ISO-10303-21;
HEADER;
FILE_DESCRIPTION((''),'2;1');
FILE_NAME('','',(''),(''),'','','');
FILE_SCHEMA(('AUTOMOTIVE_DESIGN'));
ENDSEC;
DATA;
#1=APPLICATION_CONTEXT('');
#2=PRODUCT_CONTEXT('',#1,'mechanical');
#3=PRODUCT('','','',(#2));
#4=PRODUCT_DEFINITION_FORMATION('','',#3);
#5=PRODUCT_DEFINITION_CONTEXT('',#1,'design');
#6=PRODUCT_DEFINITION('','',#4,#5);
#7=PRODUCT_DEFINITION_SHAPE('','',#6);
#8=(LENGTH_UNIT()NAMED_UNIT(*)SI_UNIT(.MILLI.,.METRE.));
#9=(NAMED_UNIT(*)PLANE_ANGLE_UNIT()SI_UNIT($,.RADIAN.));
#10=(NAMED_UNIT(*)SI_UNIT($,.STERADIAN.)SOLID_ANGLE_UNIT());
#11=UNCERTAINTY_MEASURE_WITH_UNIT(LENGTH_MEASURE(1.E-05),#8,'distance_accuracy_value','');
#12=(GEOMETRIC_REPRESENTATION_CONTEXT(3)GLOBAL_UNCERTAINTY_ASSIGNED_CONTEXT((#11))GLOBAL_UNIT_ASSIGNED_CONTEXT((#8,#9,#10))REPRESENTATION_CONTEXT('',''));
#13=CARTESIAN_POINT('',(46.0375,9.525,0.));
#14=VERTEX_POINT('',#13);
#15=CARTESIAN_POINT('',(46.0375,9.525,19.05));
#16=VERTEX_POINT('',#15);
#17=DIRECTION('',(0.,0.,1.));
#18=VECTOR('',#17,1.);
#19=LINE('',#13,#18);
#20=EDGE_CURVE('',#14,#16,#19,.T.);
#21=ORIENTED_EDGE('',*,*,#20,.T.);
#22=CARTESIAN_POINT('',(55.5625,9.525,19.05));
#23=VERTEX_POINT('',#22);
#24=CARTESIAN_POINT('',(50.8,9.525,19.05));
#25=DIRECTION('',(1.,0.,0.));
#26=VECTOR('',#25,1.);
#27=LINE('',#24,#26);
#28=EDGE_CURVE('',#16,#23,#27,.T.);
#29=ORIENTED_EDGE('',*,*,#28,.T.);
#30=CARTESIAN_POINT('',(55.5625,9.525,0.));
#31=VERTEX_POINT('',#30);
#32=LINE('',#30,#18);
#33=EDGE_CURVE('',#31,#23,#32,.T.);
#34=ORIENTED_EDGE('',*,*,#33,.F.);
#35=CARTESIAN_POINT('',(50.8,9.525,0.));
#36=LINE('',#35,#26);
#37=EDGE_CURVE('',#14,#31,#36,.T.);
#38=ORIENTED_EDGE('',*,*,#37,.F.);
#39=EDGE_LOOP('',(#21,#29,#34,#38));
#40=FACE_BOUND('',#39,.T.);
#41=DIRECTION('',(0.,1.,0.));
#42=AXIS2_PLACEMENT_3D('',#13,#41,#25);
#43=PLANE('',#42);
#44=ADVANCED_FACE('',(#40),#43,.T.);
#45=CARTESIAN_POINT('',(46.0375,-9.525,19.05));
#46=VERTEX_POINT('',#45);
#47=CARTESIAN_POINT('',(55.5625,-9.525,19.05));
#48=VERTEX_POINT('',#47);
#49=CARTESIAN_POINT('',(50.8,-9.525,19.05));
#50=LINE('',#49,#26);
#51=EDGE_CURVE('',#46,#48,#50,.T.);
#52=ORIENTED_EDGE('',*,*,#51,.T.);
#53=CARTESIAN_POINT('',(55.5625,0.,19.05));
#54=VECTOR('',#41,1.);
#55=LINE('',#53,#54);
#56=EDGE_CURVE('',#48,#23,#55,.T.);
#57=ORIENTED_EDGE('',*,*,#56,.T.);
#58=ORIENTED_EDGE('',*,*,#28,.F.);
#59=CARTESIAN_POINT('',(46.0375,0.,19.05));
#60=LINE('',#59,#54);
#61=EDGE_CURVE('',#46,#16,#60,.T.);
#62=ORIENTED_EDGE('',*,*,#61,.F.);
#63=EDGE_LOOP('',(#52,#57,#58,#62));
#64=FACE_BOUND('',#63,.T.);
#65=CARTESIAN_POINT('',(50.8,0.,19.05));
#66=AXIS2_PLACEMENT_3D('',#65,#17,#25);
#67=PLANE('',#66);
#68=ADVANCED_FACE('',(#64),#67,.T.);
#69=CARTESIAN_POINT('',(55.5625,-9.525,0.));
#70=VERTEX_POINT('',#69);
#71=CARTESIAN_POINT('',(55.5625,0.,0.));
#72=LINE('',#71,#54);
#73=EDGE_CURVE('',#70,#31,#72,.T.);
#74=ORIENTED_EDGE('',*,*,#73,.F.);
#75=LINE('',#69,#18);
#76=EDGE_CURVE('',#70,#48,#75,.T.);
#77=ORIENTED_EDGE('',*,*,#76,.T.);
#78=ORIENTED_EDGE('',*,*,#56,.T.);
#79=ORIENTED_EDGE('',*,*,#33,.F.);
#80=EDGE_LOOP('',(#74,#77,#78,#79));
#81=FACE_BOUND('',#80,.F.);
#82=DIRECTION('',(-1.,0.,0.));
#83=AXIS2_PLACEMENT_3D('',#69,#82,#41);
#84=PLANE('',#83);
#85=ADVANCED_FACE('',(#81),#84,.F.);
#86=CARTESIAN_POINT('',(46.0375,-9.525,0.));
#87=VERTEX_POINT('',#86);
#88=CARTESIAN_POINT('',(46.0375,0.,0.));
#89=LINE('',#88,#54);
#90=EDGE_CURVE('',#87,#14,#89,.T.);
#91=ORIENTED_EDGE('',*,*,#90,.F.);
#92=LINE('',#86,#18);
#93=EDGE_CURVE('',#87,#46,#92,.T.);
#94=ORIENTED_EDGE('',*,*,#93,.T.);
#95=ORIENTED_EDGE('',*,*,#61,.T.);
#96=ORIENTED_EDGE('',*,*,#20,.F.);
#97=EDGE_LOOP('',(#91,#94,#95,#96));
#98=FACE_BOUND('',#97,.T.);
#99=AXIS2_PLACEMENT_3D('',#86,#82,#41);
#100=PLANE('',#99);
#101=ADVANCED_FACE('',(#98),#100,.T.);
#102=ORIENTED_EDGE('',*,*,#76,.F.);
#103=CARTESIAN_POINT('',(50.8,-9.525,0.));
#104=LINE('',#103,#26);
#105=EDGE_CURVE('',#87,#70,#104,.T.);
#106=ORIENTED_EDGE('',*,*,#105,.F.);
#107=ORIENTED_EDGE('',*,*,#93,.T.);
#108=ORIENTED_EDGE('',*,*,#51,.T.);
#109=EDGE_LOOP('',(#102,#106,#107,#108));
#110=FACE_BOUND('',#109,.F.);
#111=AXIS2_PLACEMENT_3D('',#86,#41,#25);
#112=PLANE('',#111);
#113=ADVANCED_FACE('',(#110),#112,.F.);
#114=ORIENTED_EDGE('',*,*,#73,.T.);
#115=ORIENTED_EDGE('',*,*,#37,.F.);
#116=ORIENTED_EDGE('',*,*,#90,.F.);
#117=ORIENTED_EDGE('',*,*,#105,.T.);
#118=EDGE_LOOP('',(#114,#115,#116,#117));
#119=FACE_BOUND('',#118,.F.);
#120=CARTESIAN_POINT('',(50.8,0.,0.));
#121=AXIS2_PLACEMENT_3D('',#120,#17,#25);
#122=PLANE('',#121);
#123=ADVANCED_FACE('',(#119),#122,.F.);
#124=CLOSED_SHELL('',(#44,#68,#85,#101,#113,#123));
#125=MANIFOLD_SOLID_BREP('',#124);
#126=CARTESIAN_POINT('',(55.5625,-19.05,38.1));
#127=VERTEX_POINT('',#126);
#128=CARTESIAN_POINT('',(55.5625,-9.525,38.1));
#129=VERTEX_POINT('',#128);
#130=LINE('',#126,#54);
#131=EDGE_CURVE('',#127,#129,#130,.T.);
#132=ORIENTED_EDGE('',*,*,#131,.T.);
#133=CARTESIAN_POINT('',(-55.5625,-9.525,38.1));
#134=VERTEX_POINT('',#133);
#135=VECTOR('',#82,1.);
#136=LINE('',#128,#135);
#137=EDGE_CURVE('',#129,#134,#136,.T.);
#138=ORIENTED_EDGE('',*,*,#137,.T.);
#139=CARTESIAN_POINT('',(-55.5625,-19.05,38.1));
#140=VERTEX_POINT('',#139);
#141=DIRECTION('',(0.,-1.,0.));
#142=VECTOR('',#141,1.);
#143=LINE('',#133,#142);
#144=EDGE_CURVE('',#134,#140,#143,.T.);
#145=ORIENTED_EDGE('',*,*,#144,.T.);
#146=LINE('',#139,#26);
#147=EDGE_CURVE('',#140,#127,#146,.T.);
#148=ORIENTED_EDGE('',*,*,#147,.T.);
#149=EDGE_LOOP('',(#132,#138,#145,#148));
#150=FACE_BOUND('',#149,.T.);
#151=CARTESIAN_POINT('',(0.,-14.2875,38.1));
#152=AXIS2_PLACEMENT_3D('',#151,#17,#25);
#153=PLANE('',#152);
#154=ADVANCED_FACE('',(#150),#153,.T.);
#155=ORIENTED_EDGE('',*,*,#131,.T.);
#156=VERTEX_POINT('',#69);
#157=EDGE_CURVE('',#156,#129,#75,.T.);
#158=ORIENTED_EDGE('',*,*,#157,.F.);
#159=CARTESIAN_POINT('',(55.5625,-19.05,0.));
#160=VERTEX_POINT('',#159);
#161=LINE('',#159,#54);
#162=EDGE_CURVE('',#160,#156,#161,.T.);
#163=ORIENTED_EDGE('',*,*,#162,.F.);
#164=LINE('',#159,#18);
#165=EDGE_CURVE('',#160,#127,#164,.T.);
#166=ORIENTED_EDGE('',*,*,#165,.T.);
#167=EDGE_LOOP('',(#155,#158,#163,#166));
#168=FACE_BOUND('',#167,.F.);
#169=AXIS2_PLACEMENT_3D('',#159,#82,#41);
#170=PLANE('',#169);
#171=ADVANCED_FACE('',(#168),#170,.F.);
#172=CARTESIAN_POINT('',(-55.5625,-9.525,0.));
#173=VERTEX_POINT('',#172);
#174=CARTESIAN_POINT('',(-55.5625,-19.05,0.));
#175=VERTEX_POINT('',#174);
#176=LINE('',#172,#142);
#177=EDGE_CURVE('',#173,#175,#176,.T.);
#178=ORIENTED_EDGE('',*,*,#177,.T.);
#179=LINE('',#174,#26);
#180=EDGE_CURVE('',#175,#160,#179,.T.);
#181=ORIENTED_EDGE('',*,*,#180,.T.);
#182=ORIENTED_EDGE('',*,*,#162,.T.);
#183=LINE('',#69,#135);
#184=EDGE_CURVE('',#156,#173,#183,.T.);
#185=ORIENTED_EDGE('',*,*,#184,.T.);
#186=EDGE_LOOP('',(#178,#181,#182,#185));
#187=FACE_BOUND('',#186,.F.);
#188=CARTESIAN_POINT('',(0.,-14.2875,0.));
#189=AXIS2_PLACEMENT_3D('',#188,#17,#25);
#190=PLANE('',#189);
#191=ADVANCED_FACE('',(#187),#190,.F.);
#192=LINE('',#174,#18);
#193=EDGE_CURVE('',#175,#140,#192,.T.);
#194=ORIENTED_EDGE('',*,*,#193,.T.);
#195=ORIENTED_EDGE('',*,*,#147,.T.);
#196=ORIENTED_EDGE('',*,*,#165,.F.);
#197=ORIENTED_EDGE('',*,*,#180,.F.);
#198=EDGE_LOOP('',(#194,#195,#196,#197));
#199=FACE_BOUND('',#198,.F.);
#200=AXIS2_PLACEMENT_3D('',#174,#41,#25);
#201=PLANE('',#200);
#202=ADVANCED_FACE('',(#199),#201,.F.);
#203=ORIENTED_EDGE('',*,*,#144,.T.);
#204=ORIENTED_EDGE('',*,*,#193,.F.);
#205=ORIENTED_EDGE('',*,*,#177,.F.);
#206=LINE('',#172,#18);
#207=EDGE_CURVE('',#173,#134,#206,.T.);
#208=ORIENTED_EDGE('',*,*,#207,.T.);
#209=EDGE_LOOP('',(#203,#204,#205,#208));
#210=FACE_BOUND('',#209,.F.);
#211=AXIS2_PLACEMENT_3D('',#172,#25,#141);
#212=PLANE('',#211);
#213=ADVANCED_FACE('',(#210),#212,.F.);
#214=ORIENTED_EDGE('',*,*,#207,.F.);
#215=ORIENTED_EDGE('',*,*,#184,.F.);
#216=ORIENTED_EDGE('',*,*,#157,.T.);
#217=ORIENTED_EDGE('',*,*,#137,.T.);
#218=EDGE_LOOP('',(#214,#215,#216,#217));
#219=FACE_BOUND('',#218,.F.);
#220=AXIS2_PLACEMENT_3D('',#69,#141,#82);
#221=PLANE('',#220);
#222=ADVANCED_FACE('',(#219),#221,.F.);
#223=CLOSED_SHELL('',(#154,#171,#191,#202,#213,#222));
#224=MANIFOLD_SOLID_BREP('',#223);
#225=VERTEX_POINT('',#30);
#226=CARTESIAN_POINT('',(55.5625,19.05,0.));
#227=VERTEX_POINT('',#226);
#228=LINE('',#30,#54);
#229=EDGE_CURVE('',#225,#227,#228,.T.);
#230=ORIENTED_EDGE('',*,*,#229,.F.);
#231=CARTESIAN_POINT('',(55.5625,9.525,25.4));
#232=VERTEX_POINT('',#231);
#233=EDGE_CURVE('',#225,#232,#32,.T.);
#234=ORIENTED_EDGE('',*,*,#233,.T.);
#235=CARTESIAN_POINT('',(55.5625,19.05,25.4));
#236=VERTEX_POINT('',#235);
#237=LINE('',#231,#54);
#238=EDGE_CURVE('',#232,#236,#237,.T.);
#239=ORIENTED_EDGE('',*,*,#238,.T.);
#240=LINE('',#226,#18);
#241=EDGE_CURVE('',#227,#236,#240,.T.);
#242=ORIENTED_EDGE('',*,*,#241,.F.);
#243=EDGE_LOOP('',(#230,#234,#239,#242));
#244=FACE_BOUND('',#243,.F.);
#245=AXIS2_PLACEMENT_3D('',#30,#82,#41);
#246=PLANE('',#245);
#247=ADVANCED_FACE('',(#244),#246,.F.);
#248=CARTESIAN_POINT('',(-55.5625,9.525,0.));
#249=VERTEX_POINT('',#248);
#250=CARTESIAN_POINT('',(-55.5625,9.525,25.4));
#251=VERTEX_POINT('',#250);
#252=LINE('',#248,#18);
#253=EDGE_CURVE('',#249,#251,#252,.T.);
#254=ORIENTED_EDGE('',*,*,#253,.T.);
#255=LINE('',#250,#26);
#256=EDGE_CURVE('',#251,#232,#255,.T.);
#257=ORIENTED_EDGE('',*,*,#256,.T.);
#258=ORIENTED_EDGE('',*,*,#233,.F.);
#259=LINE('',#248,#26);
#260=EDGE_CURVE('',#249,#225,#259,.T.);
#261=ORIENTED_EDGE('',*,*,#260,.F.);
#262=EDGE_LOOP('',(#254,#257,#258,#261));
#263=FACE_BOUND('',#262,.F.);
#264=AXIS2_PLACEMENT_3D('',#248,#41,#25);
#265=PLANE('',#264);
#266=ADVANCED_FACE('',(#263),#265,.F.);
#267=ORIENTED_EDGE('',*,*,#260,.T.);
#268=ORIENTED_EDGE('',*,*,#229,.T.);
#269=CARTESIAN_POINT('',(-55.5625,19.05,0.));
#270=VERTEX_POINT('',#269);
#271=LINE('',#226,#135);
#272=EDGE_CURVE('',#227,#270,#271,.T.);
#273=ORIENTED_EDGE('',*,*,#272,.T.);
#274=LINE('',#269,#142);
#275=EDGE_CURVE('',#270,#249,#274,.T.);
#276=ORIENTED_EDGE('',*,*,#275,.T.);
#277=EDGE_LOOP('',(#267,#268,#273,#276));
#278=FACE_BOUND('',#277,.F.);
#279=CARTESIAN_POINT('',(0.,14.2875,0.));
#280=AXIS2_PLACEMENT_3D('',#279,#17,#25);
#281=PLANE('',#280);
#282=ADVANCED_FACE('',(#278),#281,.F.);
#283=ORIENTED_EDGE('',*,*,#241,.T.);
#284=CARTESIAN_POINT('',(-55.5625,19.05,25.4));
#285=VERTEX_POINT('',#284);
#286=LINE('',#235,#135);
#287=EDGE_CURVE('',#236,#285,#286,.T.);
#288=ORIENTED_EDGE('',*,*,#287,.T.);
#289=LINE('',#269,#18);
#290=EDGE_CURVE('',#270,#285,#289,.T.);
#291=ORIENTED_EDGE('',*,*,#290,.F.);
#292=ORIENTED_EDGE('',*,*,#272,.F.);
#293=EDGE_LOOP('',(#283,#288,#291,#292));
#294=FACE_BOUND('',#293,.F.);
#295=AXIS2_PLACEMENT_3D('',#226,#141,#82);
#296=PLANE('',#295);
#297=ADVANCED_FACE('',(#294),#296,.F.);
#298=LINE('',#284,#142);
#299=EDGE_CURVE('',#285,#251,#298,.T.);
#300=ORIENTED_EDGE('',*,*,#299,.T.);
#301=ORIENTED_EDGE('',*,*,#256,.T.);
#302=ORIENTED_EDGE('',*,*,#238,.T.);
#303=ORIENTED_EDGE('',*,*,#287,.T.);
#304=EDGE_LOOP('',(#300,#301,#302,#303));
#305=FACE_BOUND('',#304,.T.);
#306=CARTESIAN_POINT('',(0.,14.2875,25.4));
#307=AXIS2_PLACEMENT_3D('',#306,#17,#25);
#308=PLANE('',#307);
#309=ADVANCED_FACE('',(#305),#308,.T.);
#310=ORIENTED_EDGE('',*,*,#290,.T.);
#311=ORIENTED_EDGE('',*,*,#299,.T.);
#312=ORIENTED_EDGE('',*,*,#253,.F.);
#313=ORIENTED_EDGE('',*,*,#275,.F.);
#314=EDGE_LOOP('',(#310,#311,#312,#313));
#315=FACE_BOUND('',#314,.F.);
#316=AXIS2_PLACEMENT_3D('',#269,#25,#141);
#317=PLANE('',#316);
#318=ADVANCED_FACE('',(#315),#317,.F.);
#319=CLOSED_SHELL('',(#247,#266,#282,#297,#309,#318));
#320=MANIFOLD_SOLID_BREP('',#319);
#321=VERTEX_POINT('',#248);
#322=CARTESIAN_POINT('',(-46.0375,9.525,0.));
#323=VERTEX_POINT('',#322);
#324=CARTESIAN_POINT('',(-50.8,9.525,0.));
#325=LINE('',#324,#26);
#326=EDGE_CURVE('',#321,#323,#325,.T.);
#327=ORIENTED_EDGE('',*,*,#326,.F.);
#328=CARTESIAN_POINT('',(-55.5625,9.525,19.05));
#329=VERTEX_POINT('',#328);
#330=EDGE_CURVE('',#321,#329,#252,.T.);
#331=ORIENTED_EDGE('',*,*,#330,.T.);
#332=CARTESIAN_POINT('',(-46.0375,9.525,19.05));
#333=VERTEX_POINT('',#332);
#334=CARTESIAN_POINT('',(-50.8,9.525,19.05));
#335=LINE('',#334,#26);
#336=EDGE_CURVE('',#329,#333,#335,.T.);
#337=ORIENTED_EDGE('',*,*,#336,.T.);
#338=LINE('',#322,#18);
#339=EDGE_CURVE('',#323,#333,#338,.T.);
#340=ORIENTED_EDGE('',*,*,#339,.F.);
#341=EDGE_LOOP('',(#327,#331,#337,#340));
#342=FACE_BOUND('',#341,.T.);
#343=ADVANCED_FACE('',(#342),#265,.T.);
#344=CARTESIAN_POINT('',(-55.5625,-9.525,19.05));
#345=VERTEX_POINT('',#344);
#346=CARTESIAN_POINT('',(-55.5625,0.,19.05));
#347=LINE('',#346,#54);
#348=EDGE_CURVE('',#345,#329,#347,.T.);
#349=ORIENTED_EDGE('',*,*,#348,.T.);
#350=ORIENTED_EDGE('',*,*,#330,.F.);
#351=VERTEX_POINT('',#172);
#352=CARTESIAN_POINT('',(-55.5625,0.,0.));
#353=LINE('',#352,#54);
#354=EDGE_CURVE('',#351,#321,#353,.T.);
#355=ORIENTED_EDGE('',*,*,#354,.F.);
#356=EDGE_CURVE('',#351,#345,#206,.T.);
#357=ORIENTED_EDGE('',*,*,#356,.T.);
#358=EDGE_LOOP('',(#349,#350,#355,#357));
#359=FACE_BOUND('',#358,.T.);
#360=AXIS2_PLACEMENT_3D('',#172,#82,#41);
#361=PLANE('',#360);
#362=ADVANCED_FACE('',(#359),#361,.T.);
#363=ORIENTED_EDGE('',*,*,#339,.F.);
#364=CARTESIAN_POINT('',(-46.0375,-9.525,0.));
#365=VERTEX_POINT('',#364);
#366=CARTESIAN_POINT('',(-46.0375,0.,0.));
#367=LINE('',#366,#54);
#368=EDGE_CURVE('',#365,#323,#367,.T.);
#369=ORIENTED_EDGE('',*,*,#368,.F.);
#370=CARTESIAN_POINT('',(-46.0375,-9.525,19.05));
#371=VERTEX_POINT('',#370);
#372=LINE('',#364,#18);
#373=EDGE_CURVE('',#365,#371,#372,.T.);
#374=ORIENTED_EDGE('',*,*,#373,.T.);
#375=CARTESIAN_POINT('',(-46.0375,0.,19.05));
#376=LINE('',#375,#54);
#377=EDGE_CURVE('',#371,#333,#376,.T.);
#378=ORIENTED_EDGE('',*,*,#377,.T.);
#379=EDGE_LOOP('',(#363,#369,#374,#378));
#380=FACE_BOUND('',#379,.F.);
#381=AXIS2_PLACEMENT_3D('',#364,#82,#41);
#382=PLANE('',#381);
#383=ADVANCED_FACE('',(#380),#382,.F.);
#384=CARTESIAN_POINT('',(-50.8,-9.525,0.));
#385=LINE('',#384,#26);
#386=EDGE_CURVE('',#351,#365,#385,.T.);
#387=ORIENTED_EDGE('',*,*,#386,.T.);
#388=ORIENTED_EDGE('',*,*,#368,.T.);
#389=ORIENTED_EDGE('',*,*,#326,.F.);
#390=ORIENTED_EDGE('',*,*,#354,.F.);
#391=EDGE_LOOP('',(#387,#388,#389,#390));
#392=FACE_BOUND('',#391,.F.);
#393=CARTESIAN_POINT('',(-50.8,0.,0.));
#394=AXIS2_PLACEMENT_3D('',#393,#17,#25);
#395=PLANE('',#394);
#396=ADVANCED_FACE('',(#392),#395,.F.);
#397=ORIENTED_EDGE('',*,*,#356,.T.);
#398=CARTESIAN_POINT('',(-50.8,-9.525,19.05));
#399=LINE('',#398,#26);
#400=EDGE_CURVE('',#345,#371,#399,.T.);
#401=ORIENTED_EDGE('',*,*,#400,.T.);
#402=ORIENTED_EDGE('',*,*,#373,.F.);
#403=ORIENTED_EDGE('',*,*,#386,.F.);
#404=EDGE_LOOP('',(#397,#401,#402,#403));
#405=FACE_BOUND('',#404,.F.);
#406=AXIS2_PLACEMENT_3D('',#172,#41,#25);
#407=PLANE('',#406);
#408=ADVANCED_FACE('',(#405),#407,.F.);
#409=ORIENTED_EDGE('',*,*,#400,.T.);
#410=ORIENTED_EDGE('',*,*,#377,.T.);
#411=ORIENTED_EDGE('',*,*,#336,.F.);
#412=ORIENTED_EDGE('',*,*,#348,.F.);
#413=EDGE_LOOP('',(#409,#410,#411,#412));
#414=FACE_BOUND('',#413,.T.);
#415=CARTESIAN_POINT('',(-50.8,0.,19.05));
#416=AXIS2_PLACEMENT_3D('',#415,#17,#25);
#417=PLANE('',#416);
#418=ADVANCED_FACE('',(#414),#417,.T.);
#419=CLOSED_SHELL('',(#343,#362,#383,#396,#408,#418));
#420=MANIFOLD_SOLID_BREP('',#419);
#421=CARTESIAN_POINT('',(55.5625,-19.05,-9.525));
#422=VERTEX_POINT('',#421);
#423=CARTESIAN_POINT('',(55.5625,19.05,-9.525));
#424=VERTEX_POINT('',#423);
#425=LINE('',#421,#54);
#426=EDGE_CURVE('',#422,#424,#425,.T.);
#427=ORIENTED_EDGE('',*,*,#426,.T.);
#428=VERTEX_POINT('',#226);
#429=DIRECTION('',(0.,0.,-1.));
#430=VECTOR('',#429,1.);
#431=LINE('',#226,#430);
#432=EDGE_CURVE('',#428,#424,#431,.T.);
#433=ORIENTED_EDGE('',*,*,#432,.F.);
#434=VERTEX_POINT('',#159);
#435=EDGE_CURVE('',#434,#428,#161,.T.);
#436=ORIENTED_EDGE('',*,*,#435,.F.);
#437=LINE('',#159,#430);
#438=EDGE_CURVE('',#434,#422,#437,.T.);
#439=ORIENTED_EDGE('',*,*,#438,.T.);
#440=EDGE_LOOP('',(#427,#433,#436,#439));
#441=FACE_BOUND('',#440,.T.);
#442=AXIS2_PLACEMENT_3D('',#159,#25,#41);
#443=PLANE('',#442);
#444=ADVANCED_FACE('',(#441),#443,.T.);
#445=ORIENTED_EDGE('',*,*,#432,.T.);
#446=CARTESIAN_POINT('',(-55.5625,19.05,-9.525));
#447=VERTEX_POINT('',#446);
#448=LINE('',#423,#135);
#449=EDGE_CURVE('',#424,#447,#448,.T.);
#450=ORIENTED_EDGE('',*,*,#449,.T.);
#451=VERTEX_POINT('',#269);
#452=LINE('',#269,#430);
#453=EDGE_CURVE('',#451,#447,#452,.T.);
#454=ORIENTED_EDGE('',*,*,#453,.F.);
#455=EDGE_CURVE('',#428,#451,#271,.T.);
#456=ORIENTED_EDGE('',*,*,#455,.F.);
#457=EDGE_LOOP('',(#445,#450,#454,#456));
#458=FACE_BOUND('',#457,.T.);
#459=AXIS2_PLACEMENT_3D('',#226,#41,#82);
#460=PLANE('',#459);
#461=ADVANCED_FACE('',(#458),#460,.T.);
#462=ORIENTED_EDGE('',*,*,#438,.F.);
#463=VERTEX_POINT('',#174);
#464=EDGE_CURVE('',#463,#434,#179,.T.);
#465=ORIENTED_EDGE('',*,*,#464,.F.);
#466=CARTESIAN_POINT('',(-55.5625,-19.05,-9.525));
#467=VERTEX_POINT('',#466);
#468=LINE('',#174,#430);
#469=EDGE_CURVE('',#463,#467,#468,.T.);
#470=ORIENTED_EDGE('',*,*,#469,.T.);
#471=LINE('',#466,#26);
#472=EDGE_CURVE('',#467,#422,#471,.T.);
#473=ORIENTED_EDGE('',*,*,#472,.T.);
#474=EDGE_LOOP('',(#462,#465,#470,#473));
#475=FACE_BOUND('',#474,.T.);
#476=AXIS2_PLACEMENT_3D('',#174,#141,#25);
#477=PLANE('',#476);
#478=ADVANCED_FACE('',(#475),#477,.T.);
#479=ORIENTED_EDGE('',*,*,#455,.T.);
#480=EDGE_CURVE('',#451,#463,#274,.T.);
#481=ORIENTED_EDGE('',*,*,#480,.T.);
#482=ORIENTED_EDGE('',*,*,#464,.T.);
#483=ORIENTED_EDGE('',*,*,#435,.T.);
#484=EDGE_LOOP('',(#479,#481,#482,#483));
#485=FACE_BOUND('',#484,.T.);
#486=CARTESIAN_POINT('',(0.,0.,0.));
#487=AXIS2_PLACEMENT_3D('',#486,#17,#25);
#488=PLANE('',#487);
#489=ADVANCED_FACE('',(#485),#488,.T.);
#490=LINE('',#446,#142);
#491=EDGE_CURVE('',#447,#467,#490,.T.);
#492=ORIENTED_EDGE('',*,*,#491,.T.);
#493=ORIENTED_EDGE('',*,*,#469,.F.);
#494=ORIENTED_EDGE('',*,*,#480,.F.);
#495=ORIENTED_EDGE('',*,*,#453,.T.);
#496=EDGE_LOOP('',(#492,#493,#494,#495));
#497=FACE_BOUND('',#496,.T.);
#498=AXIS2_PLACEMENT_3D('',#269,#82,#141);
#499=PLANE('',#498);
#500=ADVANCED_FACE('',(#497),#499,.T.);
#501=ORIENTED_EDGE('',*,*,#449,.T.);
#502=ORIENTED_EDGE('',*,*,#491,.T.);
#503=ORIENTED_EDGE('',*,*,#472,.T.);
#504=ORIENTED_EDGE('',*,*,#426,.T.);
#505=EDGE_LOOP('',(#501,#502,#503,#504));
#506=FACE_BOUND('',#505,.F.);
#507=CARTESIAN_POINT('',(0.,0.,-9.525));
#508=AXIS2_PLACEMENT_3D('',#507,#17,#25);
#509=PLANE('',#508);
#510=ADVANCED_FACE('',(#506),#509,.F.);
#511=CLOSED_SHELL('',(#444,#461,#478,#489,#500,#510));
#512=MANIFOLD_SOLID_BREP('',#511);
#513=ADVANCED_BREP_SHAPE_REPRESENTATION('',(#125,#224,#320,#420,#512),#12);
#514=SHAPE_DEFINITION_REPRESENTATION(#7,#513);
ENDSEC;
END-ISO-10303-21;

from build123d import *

# Parameters (mm, degrees)
F0_W     = 92.075
F0_H     = 19.05
F0_W_2   = 9.525
F1_DEPTH = 9.525
F2_DEPTH = 19.05
F3_DEPTH = 25.4
F4_DEPTH = 38.1


with BuildPart() as f1:
    # F0 (on Top) → F1 (new body)
    with BuildSketch(Plane.XY):
        Rectangle(F0_W, F0_H)
        Polygon((46.0375, -9.525), (-46.0375, -9.525), (-55.5625, -9.525), (-55.5625, -19.05), (55.5625, -19.05), (55.5625, -9.525), align=None)
        with Locations((50.8, 0)):
            Rectangle(F0_W_2, F0_H)
        Polygon((-55.5625, 9.525), (-46.0375, 9.525), (46.0375, 9.525), (55.5625, 9.525), (55.5625, 19.05), (-55.5625, 19.05), align=None)
        with Locations((-50.8, 0)):
            Rectangle(F0_W_2, F0_H)
    extrude(amount=-F1_DEPTH)


with BuildPart() as f2:
    # F0 (on Top) → F2 (new body)
    with BuildSketch(Plane.XY):
        with Locations((50.8, 0)):
            Rectangle(F0_W_2, F0_H)
        with Locations((-50.8, 0)):
            Rectangle(F0_W_2, F0_H)
    extrude(amount=F2_DEPTH)


with BuildPart() as f3:
    # F0 (on Top) → F3 (new body)
    with BuildSketch(Plane.XY):
        Polygon((-55.5625, 9.525), (-46.0375, 9.525), (46.0375, 9.525), (55.5625, 9.525), (55.5625, 19.05), (-55.5625, 19.05), align=None)
    extrude(amount=F3_DEPTH)


with BuildPart() as f4:
    # F0 (on Top) → F4 (new body)
    with BuildSketch(Plane.XY):
        Polygon((46.0375, -9.525), (-46.0375, -9.525), (-55.5625, -9.525), (-55.5625, -19.05), (55.5625, -19.05), (55.5625, -9.525), align=None)
    extrude(amount=F4_DEPTH)


solid = Compound([f1.part, f2.part, f3.part, f4.part])
